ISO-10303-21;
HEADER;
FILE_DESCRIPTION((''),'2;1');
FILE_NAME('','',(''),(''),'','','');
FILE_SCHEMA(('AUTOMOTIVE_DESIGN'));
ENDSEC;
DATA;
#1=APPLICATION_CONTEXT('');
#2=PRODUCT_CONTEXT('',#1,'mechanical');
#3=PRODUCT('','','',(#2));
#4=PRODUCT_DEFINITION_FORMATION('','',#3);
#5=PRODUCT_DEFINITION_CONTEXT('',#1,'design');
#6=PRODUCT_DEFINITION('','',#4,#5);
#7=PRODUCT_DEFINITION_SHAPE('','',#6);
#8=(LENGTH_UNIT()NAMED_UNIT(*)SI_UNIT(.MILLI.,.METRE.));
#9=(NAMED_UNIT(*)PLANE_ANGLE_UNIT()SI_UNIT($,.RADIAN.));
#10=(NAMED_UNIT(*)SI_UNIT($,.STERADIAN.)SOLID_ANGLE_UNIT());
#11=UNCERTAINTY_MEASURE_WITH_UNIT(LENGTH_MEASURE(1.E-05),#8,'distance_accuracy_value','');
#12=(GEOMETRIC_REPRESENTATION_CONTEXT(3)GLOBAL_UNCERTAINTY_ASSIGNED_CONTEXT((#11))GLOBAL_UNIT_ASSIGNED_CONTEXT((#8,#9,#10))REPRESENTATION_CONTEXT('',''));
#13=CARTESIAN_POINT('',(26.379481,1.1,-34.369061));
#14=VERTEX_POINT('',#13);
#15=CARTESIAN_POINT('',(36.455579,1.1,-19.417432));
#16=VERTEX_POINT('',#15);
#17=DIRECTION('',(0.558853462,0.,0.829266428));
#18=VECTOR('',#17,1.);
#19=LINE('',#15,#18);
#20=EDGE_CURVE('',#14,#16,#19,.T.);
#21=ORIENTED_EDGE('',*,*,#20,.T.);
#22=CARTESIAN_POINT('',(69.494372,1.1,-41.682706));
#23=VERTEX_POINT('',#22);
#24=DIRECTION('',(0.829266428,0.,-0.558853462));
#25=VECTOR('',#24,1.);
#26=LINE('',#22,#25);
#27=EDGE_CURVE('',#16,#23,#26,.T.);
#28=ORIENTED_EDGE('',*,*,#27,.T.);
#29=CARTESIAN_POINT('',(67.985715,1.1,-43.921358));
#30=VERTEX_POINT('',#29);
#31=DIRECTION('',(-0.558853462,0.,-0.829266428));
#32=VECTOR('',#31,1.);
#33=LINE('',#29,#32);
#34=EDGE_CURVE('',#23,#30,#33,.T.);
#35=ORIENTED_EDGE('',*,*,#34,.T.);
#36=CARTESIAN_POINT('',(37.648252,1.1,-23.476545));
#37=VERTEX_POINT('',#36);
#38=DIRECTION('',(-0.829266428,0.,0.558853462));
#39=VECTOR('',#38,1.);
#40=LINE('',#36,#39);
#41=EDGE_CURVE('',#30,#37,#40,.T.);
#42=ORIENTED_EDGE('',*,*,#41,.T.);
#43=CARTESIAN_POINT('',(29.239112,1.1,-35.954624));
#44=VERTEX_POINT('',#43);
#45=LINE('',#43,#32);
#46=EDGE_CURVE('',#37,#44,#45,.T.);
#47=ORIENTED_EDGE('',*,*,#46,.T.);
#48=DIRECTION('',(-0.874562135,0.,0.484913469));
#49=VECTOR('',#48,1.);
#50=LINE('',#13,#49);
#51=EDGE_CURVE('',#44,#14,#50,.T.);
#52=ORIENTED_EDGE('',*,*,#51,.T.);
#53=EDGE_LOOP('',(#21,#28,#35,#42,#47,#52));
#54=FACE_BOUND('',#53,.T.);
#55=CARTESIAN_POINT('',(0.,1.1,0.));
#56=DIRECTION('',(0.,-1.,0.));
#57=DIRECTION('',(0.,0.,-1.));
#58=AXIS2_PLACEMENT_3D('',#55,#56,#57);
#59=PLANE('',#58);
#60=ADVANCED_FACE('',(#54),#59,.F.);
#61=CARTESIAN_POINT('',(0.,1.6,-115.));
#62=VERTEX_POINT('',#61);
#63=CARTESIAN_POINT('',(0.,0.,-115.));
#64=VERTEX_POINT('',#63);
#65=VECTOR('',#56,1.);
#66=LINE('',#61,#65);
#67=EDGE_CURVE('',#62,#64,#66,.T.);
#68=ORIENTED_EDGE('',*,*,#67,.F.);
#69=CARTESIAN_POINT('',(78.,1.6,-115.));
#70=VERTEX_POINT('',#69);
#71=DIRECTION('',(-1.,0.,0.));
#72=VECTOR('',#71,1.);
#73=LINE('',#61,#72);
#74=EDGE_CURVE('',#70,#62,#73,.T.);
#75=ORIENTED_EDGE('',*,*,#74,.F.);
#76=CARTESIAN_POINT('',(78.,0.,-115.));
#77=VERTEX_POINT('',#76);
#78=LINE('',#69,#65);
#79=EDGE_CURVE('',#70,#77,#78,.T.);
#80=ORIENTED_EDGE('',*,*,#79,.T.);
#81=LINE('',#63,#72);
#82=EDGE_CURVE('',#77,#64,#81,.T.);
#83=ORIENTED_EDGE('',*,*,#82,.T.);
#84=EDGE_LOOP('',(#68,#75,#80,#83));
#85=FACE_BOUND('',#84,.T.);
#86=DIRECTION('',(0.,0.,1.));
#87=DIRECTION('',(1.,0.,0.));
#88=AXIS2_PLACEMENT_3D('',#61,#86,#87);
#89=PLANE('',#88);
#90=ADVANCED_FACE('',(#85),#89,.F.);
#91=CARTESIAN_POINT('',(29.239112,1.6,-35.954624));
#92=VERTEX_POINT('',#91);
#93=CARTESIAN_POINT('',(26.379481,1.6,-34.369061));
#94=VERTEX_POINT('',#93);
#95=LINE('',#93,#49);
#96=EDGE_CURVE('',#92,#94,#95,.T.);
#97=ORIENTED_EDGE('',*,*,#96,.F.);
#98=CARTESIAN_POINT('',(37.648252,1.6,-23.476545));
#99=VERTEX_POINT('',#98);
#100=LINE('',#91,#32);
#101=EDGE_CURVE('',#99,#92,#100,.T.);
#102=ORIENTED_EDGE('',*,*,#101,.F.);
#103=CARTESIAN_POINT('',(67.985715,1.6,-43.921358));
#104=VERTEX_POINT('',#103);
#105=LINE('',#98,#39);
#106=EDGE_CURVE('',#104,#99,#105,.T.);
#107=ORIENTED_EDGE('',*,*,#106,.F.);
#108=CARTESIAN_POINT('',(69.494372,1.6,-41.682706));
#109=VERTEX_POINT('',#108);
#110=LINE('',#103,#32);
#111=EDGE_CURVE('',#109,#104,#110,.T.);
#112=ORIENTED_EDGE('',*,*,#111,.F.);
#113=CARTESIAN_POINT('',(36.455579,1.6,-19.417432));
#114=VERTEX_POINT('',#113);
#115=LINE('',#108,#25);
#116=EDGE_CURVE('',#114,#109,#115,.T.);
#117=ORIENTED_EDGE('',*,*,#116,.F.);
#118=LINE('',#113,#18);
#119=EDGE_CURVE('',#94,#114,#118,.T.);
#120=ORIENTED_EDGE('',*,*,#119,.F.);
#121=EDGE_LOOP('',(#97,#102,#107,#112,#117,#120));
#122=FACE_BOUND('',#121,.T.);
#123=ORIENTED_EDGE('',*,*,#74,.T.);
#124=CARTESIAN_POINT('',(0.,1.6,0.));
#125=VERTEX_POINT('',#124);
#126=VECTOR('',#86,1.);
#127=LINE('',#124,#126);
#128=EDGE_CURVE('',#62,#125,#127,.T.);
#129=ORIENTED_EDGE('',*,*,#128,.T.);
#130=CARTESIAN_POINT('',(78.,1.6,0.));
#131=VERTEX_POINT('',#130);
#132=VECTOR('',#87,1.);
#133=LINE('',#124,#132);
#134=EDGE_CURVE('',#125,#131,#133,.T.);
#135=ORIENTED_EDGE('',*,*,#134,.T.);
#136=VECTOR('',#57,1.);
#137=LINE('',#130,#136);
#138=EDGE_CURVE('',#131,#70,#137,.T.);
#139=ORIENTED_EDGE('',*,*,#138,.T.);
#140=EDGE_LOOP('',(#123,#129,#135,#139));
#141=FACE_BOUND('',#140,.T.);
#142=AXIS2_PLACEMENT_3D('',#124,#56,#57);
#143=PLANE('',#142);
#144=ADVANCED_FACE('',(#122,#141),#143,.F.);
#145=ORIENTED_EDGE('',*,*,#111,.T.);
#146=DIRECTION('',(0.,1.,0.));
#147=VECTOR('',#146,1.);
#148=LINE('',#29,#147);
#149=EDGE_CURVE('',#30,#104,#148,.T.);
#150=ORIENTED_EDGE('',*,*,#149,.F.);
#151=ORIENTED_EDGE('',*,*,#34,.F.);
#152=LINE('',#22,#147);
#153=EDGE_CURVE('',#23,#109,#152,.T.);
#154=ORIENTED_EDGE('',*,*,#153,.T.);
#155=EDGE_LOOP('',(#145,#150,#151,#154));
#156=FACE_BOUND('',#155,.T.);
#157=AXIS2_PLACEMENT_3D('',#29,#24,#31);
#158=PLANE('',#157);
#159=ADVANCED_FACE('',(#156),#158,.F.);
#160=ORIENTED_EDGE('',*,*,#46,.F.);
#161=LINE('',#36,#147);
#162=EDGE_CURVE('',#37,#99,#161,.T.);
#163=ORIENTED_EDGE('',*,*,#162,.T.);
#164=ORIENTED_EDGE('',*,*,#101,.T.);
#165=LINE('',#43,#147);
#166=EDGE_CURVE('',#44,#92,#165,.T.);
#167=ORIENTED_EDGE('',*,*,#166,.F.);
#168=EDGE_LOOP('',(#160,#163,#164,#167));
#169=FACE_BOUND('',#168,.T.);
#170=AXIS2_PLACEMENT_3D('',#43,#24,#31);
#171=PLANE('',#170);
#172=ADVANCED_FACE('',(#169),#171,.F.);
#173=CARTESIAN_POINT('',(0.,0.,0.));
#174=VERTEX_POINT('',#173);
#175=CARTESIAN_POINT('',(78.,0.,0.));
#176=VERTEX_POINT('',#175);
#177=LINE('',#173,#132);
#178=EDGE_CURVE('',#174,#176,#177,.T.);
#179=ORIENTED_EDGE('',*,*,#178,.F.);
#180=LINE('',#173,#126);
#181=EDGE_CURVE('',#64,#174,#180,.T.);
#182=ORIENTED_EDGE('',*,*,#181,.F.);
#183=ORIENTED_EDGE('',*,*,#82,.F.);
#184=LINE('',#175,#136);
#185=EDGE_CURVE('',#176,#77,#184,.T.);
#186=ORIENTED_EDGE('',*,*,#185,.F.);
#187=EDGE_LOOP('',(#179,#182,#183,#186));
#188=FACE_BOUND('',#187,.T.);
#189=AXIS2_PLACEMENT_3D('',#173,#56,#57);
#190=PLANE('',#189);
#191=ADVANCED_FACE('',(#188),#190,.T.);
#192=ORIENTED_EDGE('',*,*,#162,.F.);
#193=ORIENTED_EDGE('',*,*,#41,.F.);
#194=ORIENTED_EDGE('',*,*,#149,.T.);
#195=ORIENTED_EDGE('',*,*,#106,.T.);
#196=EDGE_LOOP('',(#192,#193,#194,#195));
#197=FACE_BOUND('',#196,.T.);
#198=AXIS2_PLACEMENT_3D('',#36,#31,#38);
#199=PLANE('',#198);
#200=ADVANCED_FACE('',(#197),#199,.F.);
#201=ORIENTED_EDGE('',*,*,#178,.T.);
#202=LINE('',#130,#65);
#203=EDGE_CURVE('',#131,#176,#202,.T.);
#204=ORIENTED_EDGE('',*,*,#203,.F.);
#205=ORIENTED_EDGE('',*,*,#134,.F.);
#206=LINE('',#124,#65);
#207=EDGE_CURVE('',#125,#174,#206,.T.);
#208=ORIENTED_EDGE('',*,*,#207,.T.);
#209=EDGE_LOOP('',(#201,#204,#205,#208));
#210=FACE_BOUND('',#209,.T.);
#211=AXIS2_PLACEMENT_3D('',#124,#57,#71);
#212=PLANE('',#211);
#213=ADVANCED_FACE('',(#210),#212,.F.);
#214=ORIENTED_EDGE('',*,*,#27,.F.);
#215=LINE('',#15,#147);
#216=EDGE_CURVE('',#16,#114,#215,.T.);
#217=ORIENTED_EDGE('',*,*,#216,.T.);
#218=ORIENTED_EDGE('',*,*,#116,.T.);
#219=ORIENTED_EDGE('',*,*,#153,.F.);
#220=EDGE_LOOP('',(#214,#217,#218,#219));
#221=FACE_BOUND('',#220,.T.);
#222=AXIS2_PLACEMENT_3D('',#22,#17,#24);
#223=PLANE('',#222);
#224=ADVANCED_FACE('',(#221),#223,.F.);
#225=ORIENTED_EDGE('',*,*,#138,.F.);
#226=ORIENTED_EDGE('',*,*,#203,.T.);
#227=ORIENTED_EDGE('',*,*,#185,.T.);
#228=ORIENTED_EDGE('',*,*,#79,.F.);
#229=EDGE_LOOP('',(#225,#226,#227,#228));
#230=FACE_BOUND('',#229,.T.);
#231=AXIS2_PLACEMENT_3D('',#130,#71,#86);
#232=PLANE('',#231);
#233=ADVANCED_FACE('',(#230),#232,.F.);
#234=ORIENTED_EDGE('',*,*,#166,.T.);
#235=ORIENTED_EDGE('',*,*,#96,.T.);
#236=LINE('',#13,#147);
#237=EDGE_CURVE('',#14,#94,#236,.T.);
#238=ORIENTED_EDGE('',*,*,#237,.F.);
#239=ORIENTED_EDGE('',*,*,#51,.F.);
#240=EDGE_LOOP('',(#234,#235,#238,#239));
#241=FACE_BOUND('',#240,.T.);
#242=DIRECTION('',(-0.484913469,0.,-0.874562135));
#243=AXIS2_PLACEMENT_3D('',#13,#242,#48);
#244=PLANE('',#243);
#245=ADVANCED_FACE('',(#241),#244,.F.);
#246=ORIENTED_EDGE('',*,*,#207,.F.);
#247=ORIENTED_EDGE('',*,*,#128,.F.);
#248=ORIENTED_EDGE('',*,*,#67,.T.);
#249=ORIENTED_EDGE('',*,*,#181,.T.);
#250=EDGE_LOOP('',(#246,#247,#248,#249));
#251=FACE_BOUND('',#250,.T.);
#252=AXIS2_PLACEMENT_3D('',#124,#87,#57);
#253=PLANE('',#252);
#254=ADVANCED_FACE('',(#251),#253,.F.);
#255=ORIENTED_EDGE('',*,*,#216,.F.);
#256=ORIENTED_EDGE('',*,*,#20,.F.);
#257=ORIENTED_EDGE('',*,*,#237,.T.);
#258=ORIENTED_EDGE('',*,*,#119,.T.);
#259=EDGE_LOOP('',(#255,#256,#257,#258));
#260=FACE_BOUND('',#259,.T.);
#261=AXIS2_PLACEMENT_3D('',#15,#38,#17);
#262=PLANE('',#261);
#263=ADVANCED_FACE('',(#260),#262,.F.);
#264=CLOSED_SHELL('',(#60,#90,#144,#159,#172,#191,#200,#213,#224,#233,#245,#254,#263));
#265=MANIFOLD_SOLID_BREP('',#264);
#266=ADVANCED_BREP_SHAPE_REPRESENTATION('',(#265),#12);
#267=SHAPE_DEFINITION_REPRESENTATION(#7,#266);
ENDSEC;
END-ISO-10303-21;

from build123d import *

# Parameters (mm, degrees)
SKETCH1_W           = 78
SKETCH1_H           = 115
BOSS_EXTRUDE1_DEPTH = 1.6
CUT_EXTRUDE1_DEPTH  = 0.5


with BuildPart() as part:
    # Sketch1 → Boss-Extrude1 (new body)
    with BuildSketch(Plane(origin=(0, 0, 0), x_dir=(1, 0, 0), z_dir=(0, 1, 0))):
        with Locations((39, 57.5)):
            Rectangle(SKETCH1_W, SKETCH1_H)
    extrude(amount=BOSS_EXTRUDE1_DEPTH)

    # Sketch2 → Cut-Extrude1 (cut)
    with BuildSketch(Plane(origin=(0, 1.6, 0), x_dir=(1, 0, 0), z_dir=(0, 1, 0))):
        Polygon((29.2391116, 35.954624385), (37.64825193, 23.476545185), (67.98571545, 43.921357557), (69.49437183, 41.682706154), (36.455578557, 19.417432427), (26.37948086, 34.369061269), align=None)
    extrude(amount=-CUT_EXTRUDE1_DEPTH, mode=Mode.SUBTRACT)


solid = part.part
